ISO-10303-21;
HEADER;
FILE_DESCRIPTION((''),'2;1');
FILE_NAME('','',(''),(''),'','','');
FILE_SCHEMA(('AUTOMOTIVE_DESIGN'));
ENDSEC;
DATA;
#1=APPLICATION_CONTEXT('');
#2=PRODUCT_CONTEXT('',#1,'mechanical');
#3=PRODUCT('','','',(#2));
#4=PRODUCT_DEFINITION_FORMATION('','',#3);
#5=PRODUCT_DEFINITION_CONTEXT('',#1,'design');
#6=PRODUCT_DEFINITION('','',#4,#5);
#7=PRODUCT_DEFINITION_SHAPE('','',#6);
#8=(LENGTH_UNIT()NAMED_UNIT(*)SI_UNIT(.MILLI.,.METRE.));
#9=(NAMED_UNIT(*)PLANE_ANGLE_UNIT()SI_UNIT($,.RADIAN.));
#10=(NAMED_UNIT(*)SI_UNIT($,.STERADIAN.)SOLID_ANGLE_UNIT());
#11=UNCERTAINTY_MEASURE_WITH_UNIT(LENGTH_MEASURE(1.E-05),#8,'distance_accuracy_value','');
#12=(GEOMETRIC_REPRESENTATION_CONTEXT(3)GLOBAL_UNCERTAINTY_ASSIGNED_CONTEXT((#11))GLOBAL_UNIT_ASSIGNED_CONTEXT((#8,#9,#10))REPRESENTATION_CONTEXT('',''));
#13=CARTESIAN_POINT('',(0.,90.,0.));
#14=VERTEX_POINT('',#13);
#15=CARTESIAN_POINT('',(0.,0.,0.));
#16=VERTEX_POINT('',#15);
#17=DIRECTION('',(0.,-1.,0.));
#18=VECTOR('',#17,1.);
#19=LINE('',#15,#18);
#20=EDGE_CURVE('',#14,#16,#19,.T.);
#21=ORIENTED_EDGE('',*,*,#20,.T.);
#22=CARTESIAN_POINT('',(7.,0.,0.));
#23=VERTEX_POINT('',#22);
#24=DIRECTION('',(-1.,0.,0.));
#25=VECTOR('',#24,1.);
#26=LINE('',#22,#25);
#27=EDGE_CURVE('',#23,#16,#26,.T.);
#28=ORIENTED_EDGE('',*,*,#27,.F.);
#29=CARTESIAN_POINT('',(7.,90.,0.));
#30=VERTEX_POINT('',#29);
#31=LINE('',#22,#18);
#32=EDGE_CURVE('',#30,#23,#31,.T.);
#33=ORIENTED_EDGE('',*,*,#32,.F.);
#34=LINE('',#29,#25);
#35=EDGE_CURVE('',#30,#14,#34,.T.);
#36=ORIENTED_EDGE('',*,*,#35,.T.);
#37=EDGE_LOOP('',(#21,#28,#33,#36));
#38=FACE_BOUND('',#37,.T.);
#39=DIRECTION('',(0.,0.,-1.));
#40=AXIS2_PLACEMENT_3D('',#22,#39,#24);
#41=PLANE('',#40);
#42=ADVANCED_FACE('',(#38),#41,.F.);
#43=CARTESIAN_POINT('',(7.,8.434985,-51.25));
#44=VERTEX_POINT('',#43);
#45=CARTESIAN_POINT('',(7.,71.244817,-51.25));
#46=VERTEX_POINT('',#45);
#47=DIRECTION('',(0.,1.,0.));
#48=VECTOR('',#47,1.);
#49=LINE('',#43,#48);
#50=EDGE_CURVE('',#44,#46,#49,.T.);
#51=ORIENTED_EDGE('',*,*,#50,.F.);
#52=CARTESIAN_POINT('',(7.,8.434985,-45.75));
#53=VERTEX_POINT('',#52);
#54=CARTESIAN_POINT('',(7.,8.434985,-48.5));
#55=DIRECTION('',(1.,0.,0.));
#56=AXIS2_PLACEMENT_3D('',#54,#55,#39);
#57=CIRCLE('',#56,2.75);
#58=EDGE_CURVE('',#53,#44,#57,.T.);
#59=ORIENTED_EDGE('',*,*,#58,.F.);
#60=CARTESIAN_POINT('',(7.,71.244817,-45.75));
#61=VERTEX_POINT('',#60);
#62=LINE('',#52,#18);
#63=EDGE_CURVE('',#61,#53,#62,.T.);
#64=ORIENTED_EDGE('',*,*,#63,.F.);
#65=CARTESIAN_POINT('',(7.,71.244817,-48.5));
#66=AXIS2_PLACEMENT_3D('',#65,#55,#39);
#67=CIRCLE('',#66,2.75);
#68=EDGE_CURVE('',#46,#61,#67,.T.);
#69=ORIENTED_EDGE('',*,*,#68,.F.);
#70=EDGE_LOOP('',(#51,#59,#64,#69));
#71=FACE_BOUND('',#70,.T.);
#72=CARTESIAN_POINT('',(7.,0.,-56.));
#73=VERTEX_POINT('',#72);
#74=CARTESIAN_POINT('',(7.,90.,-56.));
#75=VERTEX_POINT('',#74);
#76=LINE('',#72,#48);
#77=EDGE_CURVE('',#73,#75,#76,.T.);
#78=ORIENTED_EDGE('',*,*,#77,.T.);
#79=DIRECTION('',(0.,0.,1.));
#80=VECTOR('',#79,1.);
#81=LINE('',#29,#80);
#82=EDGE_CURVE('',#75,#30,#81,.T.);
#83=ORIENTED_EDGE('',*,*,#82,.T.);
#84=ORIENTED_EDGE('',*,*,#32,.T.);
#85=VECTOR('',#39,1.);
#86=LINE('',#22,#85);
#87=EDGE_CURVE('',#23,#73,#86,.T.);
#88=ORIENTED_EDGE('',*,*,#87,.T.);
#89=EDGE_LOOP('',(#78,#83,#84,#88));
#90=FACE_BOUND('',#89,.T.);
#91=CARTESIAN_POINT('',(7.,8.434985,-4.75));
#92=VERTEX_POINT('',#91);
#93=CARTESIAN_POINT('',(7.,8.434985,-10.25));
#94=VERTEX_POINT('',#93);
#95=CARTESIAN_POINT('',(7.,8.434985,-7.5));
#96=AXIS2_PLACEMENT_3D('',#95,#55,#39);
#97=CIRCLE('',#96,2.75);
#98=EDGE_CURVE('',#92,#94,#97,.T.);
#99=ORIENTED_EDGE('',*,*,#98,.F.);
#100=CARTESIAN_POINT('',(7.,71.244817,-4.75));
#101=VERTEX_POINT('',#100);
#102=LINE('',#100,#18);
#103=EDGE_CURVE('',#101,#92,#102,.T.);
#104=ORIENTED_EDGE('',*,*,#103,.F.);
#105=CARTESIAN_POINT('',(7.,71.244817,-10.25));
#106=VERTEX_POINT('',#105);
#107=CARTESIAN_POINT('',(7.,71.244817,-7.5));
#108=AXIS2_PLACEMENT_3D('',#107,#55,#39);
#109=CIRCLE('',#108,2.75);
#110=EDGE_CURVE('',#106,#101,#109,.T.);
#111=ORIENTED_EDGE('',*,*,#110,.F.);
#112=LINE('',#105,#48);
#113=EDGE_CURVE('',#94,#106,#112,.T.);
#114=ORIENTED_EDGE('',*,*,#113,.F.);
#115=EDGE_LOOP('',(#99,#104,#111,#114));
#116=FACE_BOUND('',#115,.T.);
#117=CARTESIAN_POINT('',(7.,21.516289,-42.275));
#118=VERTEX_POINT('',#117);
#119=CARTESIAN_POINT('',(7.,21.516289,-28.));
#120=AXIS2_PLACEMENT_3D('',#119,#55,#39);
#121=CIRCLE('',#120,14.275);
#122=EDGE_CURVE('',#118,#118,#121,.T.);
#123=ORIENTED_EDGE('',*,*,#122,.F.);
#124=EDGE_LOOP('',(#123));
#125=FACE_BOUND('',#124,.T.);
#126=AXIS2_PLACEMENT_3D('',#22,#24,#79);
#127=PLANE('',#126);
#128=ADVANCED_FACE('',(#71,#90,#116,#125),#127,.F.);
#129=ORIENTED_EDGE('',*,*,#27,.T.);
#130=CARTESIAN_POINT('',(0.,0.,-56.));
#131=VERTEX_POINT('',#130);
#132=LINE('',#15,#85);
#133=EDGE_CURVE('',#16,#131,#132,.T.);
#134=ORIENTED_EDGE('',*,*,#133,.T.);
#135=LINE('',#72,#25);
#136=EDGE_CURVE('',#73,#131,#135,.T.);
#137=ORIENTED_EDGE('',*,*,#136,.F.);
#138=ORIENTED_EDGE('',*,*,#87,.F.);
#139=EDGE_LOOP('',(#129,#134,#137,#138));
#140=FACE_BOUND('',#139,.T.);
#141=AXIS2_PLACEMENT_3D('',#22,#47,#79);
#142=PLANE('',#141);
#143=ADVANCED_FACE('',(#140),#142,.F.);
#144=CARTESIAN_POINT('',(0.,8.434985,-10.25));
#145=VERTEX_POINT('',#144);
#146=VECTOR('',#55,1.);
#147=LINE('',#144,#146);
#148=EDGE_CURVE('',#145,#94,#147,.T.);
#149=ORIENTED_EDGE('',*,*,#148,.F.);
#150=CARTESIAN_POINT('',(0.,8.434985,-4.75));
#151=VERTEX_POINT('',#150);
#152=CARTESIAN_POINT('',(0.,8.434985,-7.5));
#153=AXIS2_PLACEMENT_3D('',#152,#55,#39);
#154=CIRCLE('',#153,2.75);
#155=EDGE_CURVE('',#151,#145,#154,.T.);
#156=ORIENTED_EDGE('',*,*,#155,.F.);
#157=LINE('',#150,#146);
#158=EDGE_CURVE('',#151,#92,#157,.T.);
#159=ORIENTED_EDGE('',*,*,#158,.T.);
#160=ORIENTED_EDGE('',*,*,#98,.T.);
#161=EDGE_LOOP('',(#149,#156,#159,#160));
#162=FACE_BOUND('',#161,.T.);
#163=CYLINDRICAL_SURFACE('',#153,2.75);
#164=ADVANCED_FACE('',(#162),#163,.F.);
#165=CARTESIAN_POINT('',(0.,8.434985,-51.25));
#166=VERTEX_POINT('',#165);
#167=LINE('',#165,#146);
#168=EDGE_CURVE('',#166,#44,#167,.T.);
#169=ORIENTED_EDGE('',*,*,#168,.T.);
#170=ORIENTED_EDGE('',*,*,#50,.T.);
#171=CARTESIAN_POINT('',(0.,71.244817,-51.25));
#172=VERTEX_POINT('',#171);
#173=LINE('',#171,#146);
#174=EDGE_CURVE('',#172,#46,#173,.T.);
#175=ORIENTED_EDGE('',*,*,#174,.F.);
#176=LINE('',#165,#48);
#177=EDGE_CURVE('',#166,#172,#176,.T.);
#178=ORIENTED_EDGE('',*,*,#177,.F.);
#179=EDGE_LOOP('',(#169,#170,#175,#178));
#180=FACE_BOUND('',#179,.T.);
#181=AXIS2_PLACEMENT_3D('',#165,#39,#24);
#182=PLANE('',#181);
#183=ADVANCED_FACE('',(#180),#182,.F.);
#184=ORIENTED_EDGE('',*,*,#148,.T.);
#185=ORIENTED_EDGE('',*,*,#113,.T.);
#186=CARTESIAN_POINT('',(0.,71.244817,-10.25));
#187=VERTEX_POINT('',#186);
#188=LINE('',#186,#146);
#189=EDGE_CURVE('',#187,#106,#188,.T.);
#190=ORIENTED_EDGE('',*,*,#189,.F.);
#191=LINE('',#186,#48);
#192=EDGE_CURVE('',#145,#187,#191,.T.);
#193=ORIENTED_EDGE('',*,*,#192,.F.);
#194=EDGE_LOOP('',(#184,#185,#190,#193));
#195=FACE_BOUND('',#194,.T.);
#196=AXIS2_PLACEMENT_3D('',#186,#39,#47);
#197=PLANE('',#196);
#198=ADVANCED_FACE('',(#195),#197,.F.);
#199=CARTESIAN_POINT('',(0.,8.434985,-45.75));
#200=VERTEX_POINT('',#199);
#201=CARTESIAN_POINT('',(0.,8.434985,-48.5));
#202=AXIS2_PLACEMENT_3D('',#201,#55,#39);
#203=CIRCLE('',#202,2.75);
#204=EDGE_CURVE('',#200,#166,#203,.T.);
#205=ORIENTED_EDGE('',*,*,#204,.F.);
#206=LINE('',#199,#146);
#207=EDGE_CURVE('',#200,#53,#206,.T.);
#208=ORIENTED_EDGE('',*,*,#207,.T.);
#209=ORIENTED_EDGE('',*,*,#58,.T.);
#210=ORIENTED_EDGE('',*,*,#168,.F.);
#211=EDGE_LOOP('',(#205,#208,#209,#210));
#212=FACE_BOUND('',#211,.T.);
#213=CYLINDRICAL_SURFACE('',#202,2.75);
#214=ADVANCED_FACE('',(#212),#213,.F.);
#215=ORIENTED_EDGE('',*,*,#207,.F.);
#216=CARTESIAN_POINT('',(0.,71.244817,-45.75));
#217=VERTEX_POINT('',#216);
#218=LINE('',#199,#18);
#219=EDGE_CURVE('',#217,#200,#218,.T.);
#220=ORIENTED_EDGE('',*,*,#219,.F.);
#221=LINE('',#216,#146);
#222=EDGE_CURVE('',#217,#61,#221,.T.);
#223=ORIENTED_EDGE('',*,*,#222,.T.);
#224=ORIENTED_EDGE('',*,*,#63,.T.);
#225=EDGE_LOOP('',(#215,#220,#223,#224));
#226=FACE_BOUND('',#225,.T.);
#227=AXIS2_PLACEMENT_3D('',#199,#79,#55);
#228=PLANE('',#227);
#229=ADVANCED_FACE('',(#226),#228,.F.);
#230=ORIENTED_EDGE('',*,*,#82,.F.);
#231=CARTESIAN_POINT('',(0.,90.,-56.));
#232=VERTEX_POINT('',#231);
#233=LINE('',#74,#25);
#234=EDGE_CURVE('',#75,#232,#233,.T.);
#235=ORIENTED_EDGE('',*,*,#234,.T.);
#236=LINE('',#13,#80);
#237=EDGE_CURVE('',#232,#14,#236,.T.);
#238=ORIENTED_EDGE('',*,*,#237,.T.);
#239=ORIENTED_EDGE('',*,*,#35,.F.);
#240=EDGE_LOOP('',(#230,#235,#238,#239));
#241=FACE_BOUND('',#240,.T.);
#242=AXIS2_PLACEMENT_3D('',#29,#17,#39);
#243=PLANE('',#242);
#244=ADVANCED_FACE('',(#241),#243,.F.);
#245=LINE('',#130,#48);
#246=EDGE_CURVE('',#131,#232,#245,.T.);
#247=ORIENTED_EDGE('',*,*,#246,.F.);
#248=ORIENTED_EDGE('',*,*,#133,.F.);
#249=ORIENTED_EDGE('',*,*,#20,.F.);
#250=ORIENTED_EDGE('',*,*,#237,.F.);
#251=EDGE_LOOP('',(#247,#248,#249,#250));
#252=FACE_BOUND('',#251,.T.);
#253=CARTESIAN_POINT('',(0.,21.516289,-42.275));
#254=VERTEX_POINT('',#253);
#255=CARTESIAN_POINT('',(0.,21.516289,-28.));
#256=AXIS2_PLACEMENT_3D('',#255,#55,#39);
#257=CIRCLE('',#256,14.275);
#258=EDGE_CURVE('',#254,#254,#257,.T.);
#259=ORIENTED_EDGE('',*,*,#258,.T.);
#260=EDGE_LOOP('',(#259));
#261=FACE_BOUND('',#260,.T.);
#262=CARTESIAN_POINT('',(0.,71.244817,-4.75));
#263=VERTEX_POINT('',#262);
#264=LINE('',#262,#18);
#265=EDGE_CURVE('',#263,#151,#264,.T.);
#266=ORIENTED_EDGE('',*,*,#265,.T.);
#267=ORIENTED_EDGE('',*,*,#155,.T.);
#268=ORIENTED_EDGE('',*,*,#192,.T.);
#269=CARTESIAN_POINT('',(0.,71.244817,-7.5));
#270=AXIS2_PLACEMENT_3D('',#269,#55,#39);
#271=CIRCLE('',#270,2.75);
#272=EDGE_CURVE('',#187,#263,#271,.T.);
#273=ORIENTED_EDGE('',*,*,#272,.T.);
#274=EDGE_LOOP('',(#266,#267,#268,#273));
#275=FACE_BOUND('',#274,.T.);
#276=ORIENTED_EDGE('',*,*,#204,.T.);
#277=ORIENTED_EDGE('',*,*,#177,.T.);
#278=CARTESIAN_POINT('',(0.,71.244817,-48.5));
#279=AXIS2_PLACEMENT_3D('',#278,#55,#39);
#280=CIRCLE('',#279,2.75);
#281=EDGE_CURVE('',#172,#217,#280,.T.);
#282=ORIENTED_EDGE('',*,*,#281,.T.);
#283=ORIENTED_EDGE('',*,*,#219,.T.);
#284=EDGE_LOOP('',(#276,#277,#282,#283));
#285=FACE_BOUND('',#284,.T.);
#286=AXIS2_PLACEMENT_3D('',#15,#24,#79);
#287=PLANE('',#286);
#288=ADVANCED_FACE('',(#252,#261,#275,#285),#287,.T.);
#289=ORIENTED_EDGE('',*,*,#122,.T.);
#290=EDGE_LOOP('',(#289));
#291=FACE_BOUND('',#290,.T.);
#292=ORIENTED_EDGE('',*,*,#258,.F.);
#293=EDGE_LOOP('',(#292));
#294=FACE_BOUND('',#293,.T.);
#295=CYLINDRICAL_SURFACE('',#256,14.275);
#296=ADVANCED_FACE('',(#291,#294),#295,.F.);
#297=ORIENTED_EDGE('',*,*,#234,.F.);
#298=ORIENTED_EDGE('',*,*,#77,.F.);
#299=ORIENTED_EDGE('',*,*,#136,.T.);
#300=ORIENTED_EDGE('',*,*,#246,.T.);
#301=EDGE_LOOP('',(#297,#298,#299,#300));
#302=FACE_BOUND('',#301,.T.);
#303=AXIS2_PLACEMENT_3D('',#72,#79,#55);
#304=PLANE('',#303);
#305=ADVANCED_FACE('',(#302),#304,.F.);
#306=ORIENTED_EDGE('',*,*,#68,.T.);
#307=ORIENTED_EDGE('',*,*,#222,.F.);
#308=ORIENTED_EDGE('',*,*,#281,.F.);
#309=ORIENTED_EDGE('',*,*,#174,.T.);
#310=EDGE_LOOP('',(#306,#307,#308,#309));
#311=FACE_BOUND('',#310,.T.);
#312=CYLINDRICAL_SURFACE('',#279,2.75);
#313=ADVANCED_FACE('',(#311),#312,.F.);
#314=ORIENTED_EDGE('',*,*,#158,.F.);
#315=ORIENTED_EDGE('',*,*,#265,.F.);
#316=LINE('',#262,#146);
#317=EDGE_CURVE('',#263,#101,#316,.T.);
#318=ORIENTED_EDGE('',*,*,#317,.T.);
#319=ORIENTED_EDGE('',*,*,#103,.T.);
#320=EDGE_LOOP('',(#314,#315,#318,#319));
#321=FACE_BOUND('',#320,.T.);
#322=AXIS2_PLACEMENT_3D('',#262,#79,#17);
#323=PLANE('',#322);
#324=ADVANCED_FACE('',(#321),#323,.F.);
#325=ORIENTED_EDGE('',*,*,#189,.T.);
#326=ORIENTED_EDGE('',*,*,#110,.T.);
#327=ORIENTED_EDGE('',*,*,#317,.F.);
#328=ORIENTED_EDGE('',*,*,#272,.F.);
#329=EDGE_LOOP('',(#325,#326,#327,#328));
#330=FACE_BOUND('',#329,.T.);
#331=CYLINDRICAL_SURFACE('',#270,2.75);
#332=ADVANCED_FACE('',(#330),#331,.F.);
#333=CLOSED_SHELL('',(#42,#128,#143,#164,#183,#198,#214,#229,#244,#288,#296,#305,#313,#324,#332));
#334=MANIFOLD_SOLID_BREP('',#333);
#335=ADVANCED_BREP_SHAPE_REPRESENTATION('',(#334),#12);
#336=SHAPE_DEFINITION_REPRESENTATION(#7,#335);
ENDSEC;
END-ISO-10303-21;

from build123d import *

# Parameters (mm, degrees)
SKETCH1_W           = 56
SKETCH1_H           = 90
BOSS_EXTRUDE1_DEPTH = 7
SKETCH2_R           = 14.275
CUT_EXTRUDE1_DEPTH  = 8
CUT_EXTRUDE2_DEPTH  = 8


with BuildPart() as part:
    # Sketch1 → Boss-Extrude1 (new body)
    with BuildSketch(Plane(origin=(0, 0, 0), x_dir=(0, 0, -1), z_dir=(1, 0, 0))):
        with Locations((28, 45)):
            Rectangle(SKETCH1_W, SKETCH1_H)
    extrude(amount=BOSS_EXTRUDE1_DEPTH)

    # Sketch2 → Cut-Extrude1 (cut, through all)
    with BuildSketch(Plane(origin=(7, 0, 0), x_dir=(0, 0, -1), z_dir=(1, 0, 0))):
        with Locations((28, 21.516289278)):
            Circle(SKETCH2_R)
    extrude(amount=-CUT_EXTRUDE1_DEPTH, mode=Mode.SUBTRACT)

    # Sketch3 → Cut-Extrude2 (cut, through all)
    with BuildSketch(Plane(origin=(7, 0, 0), x_dir=(0, 0, -1), z_dir=(1, 0, 0))):
        with BuildLine():
            Line((10.25, 71.244817418), (10.25, 8.434985259))
            ThreePointArc((10.25, 8.434985259), (7.5, 5.684985259), (4.75, 8.434985259))
            Line((4.75, 8.434985259), (4.75, 71.244817418))
            ThreePointArc((4.75, 71.244817418), (7.5, 73.994817418), (10.25, 71.244817418))
        make_face()
        with BuildLine():
            Line((45.75, 8.434985259), (45.75, 71.244817418))
            ThreePointArc((45.75, 71.244817418), (48.5, 73.994817418), (51.25, 71.244817418))
            Line((51.25, 71.244817418), (51.25, 8.434985259))
            ThreePointArc((51.25, 8.434985259), (48.5, 5.684985259), (45.75, 8.434985259))
        make_face()
    extrude(amount=-CUT_EXTRUDE2_DEPTH, mode=Mode.SUBTRACT)


solid = part.part
